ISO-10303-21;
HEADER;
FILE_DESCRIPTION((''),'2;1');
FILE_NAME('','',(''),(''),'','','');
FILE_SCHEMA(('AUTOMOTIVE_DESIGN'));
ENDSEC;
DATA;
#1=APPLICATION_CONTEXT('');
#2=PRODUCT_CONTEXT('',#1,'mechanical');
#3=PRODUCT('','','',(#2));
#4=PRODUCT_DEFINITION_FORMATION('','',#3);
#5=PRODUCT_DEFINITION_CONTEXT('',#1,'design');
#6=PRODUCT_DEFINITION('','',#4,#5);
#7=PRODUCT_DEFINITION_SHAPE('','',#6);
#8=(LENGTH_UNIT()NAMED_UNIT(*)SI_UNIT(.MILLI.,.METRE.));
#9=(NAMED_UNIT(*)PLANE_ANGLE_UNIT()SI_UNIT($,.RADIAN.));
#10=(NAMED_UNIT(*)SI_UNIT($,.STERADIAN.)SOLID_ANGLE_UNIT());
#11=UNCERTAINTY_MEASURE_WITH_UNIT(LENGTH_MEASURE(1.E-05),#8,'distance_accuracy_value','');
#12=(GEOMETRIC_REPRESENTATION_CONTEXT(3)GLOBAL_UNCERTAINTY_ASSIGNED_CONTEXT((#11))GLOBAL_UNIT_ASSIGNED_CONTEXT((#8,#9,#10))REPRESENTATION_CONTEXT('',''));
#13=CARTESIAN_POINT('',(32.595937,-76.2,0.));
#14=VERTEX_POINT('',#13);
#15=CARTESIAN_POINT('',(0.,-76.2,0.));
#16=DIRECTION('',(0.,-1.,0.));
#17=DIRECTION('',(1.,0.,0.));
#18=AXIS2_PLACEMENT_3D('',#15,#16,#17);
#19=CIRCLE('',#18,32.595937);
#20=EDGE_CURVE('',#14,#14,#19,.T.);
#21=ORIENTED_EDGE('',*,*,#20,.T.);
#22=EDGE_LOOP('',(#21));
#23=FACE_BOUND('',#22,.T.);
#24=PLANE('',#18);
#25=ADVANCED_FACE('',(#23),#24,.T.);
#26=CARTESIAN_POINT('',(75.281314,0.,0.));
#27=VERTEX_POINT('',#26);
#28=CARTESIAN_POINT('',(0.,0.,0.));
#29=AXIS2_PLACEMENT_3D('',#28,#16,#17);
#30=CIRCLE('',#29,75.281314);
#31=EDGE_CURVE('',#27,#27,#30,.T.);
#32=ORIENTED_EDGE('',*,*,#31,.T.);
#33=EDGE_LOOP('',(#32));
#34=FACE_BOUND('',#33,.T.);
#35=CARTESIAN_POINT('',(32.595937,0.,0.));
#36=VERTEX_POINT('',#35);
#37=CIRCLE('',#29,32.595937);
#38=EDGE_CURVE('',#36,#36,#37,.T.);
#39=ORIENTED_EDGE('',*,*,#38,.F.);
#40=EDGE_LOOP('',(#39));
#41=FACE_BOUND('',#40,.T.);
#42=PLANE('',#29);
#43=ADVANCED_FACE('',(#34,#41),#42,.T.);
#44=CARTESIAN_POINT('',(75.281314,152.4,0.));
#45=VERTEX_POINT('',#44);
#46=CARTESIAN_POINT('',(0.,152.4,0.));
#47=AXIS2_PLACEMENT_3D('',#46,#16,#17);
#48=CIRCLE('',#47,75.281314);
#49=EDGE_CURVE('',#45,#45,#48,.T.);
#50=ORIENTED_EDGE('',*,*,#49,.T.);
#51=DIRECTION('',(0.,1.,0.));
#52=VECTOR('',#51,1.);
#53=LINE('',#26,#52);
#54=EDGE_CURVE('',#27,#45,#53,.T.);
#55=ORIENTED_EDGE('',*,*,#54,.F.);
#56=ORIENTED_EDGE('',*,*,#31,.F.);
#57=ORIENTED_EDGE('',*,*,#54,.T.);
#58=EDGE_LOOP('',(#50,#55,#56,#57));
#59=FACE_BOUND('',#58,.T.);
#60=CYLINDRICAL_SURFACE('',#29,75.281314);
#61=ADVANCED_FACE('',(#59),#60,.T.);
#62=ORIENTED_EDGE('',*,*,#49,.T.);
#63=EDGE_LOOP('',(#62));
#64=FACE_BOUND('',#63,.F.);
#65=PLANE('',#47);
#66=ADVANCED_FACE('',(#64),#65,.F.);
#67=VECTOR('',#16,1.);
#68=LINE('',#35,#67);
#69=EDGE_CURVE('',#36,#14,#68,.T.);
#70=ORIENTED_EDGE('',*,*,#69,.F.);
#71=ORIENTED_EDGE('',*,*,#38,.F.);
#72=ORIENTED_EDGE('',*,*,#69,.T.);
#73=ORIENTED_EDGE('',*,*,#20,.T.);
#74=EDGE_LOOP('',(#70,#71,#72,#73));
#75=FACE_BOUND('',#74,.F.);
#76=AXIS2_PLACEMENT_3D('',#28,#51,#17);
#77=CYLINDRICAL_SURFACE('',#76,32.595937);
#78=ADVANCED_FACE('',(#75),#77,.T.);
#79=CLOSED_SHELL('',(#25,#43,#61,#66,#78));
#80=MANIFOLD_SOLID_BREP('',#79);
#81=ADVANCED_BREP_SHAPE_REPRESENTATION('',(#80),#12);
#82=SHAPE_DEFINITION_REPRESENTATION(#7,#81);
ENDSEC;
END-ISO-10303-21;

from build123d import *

# Parameters (mm, degrees)
F2_R     = 32.595937
F3_DEPTH = 76.2
F0_R     = 75.281314
F4_DEPTH = 152.4


with BuildPart() as f3:
    # F2 (on face) → F3 (new body)
    with BuildSketch(Plane.XZ):
        Circle(F2_R)
    extrude(amount=F3_DEPTH)

    # F0 (on Front) → F4 (join)
    with BuildSketch(Plane.XZ):
        Circle(F0_R)
    extrude(amount=-F4_DEPTH)


solid = f3.part
